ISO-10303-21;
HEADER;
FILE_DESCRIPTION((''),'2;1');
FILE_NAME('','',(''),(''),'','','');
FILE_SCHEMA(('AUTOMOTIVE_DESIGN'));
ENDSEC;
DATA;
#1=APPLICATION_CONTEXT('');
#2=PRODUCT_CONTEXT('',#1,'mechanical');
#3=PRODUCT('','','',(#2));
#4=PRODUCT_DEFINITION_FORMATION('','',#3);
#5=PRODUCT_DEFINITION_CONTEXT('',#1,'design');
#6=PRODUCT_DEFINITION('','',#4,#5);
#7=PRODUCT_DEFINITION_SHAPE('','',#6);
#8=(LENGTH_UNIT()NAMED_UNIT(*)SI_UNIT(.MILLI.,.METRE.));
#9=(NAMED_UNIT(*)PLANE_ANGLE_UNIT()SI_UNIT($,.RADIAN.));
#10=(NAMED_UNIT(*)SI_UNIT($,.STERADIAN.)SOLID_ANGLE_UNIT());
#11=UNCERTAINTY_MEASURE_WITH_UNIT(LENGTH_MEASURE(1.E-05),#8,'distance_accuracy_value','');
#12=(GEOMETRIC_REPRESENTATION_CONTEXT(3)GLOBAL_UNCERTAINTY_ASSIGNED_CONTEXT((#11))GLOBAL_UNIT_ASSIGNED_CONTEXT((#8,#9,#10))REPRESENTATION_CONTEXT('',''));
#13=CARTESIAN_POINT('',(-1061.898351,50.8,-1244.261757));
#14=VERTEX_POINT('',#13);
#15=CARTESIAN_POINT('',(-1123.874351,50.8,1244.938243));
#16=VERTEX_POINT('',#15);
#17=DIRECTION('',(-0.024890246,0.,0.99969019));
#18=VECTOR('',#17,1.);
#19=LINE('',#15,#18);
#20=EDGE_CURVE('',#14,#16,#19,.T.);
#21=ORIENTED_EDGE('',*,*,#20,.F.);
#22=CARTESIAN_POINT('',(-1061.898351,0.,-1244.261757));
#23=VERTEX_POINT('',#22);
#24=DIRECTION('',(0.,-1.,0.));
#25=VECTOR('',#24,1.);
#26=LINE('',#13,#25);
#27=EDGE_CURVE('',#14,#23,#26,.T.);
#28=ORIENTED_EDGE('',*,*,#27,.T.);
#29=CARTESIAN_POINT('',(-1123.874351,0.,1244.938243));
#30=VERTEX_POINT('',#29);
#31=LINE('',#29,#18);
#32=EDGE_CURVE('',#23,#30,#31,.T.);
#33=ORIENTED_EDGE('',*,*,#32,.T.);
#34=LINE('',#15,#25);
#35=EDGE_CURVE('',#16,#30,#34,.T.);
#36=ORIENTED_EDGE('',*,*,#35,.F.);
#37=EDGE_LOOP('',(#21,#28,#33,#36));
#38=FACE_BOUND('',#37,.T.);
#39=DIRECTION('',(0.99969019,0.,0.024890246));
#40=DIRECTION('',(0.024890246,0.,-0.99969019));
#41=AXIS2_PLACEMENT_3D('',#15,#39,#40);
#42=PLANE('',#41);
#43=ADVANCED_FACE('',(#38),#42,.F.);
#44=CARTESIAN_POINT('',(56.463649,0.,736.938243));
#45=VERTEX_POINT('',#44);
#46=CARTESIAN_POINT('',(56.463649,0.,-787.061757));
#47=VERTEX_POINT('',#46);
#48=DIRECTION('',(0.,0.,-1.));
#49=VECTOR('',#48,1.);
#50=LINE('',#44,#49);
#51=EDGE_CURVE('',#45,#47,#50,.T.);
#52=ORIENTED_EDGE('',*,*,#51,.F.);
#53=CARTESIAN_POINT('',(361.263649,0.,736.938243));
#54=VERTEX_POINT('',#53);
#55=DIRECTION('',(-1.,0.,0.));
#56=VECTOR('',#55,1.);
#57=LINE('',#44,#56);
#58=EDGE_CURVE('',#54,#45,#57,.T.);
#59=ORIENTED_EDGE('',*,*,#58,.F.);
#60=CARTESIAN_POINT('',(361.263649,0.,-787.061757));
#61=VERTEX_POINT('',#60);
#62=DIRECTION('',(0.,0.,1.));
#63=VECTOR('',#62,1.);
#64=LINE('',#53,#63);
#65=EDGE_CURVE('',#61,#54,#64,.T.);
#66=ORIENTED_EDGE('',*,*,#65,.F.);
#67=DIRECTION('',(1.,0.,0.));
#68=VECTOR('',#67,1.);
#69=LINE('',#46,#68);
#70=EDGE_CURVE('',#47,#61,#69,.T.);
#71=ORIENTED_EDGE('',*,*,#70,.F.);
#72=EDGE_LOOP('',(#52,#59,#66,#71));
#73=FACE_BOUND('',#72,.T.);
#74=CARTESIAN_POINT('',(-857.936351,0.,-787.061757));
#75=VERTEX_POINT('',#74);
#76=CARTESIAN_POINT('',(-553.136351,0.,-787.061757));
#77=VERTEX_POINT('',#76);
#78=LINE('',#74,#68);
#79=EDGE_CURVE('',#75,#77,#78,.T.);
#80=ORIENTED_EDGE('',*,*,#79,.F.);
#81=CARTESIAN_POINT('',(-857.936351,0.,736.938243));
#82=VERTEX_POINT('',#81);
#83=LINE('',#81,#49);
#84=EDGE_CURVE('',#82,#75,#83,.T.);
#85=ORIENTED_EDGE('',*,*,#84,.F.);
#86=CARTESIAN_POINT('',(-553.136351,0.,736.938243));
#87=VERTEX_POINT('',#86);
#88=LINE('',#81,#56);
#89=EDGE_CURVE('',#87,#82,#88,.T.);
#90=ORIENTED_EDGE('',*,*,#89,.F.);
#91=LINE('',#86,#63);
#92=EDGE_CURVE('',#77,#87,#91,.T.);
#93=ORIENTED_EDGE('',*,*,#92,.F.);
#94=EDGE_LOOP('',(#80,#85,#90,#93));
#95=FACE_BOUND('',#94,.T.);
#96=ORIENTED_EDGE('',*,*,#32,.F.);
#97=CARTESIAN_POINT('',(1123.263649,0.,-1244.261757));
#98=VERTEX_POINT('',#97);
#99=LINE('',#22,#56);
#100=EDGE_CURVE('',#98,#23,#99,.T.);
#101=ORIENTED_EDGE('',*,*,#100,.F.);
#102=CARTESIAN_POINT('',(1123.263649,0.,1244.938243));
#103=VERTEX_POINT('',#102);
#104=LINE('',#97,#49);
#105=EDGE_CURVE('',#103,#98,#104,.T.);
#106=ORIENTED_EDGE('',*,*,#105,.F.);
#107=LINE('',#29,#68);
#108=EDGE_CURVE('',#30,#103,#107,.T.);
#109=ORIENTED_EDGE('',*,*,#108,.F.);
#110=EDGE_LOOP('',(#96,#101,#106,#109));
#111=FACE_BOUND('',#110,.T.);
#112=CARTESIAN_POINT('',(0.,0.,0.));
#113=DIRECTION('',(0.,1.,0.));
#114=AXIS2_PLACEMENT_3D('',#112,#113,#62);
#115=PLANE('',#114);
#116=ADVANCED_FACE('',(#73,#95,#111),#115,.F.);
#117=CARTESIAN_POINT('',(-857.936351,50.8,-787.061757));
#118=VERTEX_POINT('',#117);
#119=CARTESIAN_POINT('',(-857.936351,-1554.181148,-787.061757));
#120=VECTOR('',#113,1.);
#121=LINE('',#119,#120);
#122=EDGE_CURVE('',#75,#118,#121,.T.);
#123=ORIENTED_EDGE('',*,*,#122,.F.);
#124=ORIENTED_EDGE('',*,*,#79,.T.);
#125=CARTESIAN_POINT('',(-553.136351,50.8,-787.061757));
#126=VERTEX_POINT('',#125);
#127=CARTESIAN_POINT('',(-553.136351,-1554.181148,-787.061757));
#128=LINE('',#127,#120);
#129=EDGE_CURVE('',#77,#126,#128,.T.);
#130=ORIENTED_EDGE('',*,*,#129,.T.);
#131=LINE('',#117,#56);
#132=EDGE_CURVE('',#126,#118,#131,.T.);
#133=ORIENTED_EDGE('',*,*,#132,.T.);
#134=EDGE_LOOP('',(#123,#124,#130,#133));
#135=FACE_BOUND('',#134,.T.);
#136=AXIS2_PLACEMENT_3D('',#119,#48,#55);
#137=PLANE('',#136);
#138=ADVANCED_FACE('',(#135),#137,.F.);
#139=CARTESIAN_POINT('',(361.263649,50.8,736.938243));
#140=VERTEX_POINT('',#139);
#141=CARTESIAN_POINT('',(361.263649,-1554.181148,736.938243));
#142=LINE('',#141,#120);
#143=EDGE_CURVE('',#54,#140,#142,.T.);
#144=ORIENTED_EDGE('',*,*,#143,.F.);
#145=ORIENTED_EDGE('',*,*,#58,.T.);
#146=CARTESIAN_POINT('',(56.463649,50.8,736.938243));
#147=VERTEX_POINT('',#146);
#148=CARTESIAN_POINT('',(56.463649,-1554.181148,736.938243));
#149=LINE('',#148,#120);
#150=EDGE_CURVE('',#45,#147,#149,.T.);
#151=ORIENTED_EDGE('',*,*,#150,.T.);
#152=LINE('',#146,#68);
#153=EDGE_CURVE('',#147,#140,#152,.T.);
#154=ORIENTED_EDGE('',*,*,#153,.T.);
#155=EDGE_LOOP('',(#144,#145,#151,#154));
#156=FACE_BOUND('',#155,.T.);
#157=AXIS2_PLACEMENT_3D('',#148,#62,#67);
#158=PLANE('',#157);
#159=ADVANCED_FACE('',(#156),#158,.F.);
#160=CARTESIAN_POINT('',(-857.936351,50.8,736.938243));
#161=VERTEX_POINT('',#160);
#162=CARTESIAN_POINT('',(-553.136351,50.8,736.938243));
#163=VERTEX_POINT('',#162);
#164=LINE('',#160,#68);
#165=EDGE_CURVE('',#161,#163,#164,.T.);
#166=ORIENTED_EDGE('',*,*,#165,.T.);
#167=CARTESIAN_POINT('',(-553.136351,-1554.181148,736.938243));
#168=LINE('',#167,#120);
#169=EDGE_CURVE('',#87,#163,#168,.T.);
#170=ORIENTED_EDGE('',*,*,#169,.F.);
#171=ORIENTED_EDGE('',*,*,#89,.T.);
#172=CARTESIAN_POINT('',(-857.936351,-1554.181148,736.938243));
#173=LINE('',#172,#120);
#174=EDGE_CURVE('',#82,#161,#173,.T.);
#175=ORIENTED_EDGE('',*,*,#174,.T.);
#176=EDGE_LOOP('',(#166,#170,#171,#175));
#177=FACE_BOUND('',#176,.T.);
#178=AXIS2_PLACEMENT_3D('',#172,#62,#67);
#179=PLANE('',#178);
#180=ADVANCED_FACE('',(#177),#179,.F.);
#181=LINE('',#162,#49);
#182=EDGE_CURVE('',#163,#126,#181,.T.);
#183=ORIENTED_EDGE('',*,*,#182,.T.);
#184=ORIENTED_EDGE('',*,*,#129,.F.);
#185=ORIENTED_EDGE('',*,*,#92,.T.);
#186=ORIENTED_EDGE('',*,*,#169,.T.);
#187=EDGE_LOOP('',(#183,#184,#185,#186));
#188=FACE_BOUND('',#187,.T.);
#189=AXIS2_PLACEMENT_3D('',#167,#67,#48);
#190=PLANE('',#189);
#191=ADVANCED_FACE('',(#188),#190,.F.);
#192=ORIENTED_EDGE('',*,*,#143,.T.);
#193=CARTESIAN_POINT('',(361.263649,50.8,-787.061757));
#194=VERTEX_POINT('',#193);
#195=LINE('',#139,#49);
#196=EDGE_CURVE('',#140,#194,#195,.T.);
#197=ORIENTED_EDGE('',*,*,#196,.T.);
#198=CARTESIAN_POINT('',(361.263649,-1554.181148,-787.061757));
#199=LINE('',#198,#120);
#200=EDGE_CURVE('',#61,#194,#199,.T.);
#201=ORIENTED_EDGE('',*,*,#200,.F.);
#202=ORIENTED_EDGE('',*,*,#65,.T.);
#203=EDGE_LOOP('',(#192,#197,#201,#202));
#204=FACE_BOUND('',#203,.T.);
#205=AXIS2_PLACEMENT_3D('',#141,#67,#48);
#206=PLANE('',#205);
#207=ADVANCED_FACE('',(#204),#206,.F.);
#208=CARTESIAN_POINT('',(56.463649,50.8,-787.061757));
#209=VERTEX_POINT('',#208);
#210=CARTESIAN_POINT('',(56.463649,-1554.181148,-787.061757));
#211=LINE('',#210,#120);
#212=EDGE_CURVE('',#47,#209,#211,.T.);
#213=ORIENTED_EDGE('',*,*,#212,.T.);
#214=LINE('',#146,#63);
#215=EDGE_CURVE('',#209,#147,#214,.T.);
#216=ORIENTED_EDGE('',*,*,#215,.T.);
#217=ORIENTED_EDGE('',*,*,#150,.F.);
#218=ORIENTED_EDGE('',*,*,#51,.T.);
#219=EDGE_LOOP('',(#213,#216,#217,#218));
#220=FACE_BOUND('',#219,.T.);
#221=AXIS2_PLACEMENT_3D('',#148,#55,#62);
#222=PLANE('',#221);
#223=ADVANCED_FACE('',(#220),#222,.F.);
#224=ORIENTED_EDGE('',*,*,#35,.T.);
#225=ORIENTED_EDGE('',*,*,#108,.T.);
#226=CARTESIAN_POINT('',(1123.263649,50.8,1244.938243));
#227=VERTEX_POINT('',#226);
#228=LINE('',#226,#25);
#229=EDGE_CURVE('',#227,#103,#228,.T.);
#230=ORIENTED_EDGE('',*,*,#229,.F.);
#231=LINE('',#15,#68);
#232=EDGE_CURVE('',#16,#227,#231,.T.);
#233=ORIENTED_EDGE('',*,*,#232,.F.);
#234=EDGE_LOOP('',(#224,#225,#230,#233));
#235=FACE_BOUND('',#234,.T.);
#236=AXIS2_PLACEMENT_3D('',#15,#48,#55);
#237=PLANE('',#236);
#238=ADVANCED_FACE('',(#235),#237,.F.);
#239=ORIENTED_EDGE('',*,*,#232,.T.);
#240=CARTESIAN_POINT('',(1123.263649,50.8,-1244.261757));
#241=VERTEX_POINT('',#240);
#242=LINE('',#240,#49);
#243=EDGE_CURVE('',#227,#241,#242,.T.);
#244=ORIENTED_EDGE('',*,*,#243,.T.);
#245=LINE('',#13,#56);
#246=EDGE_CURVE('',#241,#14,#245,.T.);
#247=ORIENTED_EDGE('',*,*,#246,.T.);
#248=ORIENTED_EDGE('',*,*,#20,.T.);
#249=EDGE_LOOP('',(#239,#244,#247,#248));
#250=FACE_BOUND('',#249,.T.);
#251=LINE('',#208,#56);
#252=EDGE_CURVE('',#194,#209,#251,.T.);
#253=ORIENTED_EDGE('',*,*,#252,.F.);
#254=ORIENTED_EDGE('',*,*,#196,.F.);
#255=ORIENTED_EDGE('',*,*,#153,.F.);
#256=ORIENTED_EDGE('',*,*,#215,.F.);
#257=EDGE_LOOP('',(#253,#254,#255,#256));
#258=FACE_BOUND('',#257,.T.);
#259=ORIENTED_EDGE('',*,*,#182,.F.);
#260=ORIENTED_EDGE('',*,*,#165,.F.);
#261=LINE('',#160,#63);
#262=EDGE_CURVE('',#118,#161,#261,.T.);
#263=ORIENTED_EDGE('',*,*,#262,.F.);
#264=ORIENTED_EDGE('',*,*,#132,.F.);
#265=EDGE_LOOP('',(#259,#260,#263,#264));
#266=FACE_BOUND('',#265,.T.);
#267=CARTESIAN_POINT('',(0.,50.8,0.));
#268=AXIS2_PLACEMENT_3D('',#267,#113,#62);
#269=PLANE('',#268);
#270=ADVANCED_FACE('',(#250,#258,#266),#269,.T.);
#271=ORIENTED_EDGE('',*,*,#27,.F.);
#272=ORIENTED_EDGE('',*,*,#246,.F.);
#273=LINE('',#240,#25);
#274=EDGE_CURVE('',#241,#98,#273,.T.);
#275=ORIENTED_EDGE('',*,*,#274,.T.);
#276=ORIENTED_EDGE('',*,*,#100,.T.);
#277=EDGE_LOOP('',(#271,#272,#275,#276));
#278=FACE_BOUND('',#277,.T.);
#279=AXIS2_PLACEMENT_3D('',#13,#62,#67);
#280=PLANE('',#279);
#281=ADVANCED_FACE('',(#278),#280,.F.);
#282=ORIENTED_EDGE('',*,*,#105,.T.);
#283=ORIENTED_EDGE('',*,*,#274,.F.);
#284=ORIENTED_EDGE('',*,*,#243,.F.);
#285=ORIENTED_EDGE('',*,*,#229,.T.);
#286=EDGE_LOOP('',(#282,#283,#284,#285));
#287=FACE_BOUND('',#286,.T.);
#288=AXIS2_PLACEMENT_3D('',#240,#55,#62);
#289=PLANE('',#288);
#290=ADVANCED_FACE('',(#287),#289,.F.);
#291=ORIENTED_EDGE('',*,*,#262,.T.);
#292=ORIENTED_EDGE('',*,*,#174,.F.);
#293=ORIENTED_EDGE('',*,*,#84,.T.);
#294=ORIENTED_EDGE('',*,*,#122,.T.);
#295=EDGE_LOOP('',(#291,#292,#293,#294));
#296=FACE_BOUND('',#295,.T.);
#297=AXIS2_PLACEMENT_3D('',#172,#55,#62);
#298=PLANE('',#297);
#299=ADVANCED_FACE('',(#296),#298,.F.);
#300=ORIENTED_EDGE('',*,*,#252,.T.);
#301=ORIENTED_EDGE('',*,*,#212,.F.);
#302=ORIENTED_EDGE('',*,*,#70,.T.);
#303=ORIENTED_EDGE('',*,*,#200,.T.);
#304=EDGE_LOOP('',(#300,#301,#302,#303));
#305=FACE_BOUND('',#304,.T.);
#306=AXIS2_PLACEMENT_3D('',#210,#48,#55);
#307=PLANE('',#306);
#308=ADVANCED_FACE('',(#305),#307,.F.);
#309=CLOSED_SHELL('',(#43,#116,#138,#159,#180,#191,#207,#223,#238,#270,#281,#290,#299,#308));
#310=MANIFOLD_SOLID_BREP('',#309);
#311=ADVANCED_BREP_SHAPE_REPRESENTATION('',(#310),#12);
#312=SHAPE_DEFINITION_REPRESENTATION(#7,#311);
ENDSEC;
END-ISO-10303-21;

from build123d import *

# Parameters (mm, degrees)
BOSS_EXTRUDE1_DEPTH = 50.8
SKETCH2_W           = 304.8
SKETCH2_H           = 1524
CUT_EXTRUDE1_DEPTH  = 50.8


with BuildPart() as part:
    # Sketch1 → Boss-Extrude1 (new body)
    with BuildSketch(Plane(origin=(0, 0, 0), x_dir=(1, 0, 0), z_dir=(0, 1, 0))):
        Polygon((-1123.874350932, -1244.938243374), (-1061.898350932, 1244.261756626), (1123.263649068, 1244.261756626), (1123.263649068, -1244.938243374), align=None)
    extrude(amount=BOSS_EXTRUDE1_DEPTH)

    # Sketch2 → Cut-Extrude1 (cut)
    with BuildSketch(Plane(origin=(0, 50.8, 0), x_dir=(1, 0, 0), z_dir=(0, 1, 0))):
        with Locations((208.863649068, 25.061756626)):
            Rectangle(SKETCH2_W, SKETCH2_H)
        with Locations((-705.536350932, 25.061756626)):
            Rectangle(SKETCH2_W, SKETCH2_H)
    extrude(amount=-CUT_EXTRUDE1_DEPTH, mode=Mode.SUBTRACT)


solid = part.part
